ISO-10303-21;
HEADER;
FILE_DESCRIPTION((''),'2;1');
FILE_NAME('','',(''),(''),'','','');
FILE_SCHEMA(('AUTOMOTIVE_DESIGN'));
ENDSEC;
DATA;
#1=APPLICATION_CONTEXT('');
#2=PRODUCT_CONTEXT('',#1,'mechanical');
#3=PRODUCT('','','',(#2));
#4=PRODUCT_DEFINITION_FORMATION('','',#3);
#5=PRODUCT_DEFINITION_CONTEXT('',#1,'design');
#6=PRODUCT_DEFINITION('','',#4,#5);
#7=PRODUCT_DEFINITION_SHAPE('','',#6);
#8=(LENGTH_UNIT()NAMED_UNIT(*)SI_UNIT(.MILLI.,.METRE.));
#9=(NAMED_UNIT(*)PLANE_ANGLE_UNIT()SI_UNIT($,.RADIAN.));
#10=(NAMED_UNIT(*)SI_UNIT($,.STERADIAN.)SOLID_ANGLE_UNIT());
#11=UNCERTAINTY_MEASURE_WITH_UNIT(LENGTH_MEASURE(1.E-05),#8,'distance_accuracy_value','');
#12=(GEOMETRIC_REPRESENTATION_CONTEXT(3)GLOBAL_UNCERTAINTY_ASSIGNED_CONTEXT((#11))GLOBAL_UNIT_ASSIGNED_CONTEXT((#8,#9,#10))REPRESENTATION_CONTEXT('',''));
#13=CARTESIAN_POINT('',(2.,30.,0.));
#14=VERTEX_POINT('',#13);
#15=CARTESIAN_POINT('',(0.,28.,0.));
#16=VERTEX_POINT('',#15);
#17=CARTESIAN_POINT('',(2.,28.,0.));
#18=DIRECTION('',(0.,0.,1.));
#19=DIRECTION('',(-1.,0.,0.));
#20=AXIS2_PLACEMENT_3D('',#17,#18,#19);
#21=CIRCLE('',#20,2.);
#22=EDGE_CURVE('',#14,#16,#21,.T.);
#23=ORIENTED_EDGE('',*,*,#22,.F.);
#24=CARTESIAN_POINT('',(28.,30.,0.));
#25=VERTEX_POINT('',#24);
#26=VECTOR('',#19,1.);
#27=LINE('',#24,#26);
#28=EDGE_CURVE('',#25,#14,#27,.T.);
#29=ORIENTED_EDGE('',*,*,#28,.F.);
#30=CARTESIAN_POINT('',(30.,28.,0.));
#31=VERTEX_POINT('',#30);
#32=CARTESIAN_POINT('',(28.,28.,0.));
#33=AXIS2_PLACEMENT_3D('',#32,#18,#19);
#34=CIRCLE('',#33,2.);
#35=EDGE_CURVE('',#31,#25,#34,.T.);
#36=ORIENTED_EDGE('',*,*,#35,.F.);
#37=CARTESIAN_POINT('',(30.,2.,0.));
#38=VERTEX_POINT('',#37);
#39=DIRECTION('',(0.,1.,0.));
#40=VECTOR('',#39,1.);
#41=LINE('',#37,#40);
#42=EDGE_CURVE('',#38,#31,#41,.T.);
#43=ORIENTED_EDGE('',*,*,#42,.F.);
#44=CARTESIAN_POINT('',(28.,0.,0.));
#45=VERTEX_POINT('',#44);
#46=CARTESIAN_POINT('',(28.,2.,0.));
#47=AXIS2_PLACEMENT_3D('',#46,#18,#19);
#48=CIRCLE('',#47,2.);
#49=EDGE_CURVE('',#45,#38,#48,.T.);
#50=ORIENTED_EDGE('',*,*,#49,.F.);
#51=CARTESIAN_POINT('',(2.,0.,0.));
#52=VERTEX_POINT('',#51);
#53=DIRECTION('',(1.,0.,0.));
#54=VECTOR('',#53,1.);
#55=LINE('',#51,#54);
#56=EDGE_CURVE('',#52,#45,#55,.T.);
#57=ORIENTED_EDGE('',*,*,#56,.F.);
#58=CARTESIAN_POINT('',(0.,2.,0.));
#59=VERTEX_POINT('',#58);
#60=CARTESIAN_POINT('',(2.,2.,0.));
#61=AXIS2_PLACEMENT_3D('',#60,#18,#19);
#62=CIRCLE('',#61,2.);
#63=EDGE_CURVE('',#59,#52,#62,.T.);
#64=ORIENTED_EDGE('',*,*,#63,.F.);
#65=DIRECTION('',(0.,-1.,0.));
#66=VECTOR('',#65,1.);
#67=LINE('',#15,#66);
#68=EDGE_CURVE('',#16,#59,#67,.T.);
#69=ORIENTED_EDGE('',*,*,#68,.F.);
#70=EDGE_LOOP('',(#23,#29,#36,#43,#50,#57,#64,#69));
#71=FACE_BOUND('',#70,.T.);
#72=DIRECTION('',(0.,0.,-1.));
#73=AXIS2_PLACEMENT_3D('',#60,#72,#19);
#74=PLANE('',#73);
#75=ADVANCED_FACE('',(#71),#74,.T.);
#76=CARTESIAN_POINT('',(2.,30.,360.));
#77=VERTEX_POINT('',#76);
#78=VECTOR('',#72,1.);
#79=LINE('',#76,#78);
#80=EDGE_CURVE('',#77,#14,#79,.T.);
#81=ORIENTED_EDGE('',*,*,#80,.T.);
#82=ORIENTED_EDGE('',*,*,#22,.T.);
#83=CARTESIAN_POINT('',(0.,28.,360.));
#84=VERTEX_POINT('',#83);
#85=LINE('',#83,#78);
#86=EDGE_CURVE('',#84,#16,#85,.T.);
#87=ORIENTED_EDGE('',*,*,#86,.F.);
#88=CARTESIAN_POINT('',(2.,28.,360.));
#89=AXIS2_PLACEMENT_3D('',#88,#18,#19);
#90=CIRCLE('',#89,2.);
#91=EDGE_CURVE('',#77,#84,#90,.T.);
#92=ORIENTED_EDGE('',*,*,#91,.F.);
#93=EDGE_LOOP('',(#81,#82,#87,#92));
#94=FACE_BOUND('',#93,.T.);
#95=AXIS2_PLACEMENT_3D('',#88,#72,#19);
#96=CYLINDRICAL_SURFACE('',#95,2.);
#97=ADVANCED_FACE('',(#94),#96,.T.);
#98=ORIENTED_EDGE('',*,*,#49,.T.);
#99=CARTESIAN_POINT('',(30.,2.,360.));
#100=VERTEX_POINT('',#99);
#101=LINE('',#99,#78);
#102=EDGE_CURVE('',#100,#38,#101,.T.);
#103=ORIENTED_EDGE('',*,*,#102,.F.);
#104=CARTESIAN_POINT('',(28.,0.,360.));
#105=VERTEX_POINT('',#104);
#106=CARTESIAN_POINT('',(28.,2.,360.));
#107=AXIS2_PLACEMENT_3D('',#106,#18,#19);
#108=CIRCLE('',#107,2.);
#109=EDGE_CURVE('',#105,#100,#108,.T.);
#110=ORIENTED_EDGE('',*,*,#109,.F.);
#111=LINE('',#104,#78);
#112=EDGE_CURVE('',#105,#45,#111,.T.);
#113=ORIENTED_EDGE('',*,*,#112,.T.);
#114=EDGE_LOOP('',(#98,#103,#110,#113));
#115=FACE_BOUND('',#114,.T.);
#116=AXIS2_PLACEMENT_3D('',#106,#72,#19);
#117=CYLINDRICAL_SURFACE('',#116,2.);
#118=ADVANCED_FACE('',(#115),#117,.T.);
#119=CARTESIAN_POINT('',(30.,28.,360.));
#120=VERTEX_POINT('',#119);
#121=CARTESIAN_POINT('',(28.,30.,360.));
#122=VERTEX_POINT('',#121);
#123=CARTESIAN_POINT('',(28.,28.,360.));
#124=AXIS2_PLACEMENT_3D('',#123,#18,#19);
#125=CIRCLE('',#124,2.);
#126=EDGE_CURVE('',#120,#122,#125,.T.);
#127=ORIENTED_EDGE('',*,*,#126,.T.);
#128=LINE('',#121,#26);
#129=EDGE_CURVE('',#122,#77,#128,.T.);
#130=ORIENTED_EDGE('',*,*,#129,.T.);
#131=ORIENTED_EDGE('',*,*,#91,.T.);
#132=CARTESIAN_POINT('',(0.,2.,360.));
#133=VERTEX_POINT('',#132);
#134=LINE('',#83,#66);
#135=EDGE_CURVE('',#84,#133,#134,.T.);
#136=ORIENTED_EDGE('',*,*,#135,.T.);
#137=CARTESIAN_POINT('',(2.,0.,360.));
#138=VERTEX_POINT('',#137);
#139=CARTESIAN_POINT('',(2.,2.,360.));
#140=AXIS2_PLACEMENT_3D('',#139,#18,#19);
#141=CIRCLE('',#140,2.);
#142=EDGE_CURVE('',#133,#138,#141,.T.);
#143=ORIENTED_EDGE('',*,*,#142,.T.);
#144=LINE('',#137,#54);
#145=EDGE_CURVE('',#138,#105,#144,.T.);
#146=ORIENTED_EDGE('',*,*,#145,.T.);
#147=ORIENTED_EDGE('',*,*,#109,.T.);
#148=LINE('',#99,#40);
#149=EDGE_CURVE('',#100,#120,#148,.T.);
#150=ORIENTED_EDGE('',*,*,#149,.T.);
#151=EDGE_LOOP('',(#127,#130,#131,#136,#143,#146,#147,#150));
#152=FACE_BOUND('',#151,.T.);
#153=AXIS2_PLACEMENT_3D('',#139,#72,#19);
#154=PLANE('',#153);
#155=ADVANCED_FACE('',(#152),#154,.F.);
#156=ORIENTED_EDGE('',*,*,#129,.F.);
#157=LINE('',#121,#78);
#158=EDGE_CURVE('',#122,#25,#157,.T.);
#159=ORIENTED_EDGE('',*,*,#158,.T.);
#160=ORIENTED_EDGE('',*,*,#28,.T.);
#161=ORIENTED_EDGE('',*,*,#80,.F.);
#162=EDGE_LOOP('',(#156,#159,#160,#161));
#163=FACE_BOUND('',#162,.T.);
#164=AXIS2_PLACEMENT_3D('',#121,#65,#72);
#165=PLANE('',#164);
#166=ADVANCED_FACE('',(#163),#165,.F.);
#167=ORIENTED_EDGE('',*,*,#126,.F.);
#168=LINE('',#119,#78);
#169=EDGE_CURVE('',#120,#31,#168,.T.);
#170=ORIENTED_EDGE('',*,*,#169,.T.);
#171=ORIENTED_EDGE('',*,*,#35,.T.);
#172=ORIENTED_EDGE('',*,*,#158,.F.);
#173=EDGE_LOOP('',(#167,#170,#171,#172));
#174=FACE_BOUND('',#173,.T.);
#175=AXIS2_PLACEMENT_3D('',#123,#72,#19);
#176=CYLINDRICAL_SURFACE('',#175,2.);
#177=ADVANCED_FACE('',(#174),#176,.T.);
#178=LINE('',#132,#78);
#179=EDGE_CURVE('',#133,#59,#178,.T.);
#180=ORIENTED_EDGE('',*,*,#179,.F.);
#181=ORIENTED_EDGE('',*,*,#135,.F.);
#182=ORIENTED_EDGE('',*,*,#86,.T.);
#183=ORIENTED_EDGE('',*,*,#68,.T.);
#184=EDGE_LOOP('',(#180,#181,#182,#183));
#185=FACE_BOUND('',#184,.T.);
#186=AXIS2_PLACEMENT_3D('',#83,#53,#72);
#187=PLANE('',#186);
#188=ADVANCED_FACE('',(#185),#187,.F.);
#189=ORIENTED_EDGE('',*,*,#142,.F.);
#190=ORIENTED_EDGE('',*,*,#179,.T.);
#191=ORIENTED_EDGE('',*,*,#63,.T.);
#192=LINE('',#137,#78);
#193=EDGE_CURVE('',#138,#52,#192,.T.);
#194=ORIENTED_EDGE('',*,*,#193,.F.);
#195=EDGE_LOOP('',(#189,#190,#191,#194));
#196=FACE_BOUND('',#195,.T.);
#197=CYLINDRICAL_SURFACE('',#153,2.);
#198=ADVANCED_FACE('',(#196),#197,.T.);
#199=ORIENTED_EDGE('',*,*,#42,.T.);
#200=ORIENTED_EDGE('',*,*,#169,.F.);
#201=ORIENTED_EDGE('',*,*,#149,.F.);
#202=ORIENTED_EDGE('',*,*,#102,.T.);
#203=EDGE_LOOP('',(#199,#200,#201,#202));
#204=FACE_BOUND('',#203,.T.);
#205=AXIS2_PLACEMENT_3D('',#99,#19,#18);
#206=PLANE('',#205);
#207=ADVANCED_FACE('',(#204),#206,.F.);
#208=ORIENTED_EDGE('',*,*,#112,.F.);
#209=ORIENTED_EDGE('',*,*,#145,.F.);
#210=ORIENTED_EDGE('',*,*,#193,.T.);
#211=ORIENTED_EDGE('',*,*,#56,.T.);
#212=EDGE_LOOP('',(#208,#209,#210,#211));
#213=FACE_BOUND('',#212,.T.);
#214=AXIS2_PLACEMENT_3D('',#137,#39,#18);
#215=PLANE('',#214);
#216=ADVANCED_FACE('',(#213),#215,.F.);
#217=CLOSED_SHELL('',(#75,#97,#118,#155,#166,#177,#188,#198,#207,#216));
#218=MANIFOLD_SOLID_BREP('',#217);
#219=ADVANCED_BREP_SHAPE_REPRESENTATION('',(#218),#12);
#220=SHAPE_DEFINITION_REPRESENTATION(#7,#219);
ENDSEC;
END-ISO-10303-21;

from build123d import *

# Parameters (mm, degrees)
BOSS_EXTRUDE1_DEPTH = 360


with BuildPart() as part:
    # Sketch3 → Boss-Extrude1 (new body)
    with BuildSketch(Plane.XY):
        with BuildLine():
            Line((2, 0), (28, 0))
            ThreePointArc((28, 0), (29.414213562, 0.585786438), (30, 2))
            Line((30, 2), (30, 28))
            ThreePointArc((30, 28), (29.414213562, 29.414213562), (28, 30))
            Line((28, 30), (2, 30))
            ThreePointArc((2, 30), (0.585786438, 29.414213562), (0, 28))
            Line((0, 28), (0, 2))
            ThreePointArc((0, 2), (0.585786438, 0.585786438), (2, 0))
        make_face()
    extrude(amount=BOSS_EXTRUDE1_DEPTH)


solid = part.part
